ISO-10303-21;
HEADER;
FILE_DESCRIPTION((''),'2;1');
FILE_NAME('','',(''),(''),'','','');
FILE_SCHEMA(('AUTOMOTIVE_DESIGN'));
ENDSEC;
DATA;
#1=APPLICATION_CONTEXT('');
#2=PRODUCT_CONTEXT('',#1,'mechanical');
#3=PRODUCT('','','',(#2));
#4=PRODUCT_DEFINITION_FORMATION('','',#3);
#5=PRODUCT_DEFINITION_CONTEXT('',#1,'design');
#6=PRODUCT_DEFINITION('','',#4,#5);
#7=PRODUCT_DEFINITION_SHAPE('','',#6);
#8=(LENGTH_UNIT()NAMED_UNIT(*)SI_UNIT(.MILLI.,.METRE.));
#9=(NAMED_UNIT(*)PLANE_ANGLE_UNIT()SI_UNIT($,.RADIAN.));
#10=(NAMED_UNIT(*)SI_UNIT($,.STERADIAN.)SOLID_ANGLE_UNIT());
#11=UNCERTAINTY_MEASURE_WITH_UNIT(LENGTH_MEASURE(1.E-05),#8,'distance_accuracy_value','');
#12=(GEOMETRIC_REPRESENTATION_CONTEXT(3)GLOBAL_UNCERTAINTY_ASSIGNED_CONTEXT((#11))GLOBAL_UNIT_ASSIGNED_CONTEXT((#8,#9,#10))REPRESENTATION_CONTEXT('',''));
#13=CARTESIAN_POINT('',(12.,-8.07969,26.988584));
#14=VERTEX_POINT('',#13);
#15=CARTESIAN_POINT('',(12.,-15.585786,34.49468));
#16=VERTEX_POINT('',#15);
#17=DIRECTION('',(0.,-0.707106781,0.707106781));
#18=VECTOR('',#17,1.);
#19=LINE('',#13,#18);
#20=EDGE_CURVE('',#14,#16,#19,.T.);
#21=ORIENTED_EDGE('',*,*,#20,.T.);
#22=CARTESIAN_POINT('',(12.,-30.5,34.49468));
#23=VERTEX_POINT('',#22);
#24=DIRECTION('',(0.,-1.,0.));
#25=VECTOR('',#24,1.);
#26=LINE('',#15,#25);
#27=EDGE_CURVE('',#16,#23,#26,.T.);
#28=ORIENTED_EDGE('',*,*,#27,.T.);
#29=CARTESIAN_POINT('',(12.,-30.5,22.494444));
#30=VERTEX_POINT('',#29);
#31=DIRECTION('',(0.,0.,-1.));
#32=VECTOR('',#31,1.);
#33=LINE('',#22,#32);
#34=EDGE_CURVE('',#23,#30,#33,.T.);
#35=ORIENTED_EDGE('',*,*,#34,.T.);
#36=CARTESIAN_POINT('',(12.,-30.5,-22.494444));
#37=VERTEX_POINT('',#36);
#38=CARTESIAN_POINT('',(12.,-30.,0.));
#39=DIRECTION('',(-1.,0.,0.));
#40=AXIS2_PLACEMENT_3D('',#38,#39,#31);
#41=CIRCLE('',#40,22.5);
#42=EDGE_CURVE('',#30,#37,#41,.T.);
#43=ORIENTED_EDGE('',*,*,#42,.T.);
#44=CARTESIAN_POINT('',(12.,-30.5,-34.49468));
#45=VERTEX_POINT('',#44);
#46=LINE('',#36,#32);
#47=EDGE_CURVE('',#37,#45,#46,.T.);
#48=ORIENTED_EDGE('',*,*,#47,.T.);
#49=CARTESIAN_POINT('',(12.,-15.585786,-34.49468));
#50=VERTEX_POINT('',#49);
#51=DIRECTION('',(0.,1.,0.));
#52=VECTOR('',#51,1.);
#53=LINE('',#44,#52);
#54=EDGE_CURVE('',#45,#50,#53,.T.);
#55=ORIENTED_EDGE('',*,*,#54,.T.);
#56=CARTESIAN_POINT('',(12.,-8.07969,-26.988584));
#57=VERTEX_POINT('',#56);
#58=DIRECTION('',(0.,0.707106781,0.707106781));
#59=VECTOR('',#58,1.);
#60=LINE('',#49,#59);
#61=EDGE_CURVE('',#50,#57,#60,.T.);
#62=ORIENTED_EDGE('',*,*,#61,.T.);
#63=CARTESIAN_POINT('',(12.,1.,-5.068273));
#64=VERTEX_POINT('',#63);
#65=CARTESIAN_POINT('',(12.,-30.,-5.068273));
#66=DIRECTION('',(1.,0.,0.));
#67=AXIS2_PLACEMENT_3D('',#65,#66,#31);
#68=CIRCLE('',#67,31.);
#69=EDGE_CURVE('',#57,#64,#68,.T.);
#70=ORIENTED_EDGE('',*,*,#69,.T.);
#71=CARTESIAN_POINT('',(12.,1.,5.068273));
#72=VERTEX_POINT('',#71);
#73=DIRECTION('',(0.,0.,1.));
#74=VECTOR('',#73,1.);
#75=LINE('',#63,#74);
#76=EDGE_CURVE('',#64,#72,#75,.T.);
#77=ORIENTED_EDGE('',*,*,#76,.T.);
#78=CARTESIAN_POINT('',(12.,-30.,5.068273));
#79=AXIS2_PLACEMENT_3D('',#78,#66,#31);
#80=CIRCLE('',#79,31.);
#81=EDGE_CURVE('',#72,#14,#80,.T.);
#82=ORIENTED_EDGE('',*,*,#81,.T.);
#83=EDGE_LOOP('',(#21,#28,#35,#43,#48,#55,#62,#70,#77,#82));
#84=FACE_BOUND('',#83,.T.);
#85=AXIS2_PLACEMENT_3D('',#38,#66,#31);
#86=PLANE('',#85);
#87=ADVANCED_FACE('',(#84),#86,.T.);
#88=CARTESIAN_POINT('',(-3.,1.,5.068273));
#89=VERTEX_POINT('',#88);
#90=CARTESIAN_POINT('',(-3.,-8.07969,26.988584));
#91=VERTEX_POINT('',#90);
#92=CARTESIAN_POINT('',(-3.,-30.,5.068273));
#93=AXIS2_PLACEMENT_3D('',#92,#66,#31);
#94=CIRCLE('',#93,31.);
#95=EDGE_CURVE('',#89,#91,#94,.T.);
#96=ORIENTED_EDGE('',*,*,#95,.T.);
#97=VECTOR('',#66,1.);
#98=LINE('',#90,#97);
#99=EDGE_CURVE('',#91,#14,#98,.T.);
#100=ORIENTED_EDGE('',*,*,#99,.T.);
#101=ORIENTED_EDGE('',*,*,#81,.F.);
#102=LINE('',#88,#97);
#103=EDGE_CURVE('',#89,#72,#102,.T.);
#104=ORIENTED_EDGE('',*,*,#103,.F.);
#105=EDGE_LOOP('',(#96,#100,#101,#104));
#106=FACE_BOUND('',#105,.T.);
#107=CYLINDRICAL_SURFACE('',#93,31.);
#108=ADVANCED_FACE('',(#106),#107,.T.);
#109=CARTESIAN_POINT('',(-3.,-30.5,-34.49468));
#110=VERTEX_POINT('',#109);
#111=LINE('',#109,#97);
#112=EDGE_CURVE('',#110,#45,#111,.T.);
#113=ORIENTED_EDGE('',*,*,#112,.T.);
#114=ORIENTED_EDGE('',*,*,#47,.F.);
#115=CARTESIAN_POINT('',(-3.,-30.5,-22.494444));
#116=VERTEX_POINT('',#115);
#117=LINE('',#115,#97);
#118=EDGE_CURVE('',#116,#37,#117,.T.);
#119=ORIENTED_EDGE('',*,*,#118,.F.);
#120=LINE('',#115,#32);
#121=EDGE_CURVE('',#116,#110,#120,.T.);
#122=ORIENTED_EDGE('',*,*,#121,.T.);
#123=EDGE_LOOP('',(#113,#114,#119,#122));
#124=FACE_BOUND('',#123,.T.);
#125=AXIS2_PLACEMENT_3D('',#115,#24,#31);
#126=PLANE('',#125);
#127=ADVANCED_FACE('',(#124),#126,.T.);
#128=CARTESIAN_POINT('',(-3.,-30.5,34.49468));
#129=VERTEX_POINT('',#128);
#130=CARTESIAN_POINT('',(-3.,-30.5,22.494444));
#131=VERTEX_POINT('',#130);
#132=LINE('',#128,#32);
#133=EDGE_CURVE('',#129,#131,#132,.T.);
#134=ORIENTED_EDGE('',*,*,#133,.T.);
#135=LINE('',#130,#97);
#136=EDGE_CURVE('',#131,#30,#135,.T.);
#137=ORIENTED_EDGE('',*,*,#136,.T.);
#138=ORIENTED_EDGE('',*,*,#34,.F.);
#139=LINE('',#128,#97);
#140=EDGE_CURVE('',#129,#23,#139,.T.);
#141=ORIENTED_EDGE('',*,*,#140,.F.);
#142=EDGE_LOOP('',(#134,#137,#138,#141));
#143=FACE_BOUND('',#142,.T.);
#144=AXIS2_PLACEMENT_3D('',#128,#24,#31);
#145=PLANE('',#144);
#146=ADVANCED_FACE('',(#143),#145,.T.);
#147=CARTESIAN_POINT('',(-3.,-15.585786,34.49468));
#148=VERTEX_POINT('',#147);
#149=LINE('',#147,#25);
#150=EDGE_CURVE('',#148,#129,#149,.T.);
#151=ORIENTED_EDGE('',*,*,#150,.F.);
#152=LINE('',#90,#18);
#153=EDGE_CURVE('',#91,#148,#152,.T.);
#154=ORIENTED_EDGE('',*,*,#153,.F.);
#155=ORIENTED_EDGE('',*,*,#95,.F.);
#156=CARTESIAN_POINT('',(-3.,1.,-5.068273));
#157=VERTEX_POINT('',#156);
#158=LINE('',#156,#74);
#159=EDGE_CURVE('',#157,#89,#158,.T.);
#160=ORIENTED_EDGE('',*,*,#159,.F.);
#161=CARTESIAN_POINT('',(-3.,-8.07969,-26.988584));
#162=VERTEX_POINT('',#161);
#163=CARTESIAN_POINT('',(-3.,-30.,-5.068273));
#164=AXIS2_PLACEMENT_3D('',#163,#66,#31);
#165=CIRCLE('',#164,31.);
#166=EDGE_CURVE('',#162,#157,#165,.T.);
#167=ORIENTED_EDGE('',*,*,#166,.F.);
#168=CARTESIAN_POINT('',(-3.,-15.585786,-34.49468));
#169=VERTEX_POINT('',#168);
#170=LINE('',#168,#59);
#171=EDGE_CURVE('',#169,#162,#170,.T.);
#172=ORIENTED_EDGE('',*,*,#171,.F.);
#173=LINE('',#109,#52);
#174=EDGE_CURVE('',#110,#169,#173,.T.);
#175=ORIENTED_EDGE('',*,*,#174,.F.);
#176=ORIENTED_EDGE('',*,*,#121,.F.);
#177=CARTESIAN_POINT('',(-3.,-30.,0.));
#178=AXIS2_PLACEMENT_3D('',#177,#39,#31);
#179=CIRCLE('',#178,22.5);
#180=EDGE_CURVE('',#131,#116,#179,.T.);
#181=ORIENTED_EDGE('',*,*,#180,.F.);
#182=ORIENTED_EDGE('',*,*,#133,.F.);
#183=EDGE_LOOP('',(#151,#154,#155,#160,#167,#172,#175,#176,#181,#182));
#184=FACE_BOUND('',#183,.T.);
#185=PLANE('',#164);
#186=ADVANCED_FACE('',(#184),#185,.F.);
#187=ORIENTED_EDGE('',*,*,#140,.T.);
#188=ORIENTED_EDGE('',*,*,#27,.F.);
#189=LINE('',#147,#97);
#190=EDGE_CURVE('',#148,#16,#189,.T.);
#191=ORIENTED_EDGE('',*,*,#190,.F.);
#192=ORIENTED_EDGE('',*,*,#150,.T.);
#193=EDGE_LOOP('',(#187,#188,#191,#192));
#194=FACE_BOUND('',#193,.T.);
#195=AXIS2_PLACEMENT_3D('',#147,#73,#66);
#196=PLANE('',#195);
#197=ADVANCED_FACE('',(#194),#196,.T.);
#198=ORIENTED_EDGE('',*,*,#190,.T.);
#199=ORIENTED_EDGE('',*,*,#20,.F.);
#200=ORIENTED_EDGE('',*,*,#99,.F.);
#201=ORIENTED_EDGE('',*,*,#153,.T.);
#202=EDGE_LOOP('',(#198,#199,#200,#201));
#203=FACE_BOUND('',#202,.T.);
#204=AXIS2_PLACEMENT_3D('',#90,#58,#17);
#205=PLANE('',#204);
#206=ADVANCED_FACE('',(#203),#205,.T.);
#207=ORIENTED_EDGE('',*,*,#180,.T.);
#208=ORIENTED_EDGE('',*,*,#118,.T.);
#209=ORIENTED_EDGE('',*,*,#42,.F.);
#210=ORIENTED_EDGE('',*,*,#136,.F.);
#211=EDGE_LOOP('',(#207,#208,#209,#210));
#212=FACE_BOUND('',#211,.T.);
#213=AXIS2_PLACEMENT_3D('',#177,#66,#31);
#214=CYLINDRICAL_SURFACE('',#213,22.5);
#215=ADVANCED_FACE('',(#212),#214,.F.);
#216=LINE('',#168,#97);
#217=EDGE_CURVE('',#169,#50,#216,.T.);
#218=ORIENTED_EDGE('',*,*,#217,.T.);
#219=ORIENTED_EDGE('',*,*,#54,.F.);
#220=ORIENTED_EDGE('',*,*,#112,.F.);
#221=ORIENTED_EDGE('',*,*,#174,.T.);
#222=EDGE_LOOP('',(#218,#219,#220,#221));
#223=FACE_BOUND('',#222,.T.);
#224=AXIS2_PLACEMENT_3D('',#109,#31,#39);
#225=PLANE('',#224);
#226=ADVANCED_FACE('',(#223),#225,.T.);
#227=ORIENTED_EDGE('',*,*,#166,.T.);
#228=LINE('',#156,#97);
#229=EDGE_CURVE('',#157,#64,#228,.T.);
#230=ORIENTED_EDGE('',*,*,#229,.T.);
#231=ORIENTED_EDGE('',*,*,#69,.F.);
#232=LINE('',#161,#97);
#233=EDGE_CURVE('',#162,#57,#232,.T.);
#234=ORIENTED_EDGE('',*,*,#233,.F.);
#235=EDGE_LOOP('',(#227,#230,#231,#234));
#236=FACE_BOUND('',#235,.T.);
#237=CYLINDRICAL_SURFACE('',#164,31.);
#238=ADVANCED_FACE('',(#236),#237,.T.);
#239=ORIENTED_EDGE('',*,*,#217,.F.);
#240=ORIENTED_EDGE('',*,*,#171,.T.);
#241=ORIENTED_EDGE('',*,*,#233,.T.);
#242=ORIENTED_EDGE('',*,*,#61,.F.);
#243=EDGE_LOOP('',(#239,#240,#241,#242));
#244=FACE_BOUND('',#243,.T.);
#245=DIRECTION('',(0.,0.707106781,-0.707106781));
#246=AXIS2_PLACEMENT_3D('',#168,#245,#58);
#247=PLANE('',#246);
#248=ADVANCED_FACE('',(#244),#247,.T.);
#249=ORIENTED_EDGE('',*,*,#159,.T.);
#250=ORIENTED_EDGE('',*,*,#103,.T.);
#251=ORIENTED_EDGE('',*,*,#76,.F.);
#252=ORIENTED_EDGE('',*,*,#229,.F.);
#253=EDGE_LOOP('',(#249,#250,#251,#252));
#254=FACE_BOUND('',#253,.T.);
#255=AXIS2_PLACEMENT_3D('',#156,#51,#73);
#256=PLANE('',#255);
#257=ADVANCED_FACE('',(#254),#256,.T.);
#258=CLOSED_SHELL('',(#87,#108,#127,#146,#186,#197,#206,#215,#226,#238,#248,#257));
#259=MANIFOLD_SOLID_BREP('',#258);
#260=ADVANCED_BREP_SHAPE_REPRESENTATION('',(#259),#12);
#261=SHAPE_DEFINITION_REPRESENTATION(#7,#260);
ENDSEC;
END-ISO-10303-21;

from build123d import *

# Parameters (mm, degrees)
BOSS_EXTRUDE1_DEPTH = 12
CHAMFER1_SIZE       = 16
FILLET1_R           = 30
BOSS_EXTRUDE3_DEPTH = 15


with BuildPart() as part:
    # Sketch1 → Boss-Extrude1 (new body)
    with BuildSketch(Plane(origin=(0, 0, 0), x_dir=(0, 0, -1), z_dir=(1, 0, 0))):
        with BuildLine():
            Line((-33.494680249, 0), (33.494680249, 0))
            Line((33.494680249, 0), (33.494680249, -29.5))
            Line((33.494680249, -29.5), (23.494680249, -29.5))
            ThreePointArc((23.494680249, -29.5), (0, -6.5), (-23.494680249, -29.5))
            Line((-23.494680249, -29.5), (-33.494680249, -29.5))
            Line((-33.494680249, -29.5), (-33.494680249, 0))
        make_face()
    extrude(amount=BOSS_EXTRUDE1_DEPTH)

    # Chamfer1
    chamfer1_edges = [part.edges().sort_by_distance(p)[0] for p in [
        (6, 0, 33.494680249),
        (6, 0, -33.494680249),
    ]]
    chamfer(chamfer1_edges, length=CHAMFER1_SIZE)

    # Fillet1
    fillet1_edges = [part.edges().sort_by_distance(p)[0] for p in [
        (6, 0, 17.494680249),
        (6, 0, -17.494680249),
    ]]
    fillet(fillet1_edges, radius=FILLET1_R)

    # Sketch6 → Boss-Extrude3 (add)
    with BuildSketch(Plane(origin=(12, 0, 0), x_dir=(0, 0, -1), z_dir=(1, 0, 0))):
        with BuildLine():
            Line((34.494680249, -15.585786438), (26.988583595, -8.079689783))
            ThreePointArc((26.988583595, -8.079689783), (16.931459781, -1.359734492), (5.068273378, 1))
            Line((5.068273378, 1), (-5.068273378, 1))
            ThreePointArc((-5.068273378, 1), (-16.931459781, -1.359734492), (-26.988583595, -8.079689783))
            Line((-26.988583595, -8.079689783), (-34.494680249, -15.585786438))
            Line((-34.494680249, -15.585786438), (-34.494680249, -30.5))
            Line((-34.494680249, -30.5), (-22.494443758, -30.5))
            ThreePointArc((-22.494443758, -30.5), (0, -7.5), (22.494443758, -30.5))
            Line((22.494443758, -30.5), (34.494680249, -30.5))
            Line((34.494680249, -30.5), (34.494680249, -15.585786438))
        make_face()
    extrude(amount=-BOSS_EXTRUDE3_DEPTH)


solid = part.part
